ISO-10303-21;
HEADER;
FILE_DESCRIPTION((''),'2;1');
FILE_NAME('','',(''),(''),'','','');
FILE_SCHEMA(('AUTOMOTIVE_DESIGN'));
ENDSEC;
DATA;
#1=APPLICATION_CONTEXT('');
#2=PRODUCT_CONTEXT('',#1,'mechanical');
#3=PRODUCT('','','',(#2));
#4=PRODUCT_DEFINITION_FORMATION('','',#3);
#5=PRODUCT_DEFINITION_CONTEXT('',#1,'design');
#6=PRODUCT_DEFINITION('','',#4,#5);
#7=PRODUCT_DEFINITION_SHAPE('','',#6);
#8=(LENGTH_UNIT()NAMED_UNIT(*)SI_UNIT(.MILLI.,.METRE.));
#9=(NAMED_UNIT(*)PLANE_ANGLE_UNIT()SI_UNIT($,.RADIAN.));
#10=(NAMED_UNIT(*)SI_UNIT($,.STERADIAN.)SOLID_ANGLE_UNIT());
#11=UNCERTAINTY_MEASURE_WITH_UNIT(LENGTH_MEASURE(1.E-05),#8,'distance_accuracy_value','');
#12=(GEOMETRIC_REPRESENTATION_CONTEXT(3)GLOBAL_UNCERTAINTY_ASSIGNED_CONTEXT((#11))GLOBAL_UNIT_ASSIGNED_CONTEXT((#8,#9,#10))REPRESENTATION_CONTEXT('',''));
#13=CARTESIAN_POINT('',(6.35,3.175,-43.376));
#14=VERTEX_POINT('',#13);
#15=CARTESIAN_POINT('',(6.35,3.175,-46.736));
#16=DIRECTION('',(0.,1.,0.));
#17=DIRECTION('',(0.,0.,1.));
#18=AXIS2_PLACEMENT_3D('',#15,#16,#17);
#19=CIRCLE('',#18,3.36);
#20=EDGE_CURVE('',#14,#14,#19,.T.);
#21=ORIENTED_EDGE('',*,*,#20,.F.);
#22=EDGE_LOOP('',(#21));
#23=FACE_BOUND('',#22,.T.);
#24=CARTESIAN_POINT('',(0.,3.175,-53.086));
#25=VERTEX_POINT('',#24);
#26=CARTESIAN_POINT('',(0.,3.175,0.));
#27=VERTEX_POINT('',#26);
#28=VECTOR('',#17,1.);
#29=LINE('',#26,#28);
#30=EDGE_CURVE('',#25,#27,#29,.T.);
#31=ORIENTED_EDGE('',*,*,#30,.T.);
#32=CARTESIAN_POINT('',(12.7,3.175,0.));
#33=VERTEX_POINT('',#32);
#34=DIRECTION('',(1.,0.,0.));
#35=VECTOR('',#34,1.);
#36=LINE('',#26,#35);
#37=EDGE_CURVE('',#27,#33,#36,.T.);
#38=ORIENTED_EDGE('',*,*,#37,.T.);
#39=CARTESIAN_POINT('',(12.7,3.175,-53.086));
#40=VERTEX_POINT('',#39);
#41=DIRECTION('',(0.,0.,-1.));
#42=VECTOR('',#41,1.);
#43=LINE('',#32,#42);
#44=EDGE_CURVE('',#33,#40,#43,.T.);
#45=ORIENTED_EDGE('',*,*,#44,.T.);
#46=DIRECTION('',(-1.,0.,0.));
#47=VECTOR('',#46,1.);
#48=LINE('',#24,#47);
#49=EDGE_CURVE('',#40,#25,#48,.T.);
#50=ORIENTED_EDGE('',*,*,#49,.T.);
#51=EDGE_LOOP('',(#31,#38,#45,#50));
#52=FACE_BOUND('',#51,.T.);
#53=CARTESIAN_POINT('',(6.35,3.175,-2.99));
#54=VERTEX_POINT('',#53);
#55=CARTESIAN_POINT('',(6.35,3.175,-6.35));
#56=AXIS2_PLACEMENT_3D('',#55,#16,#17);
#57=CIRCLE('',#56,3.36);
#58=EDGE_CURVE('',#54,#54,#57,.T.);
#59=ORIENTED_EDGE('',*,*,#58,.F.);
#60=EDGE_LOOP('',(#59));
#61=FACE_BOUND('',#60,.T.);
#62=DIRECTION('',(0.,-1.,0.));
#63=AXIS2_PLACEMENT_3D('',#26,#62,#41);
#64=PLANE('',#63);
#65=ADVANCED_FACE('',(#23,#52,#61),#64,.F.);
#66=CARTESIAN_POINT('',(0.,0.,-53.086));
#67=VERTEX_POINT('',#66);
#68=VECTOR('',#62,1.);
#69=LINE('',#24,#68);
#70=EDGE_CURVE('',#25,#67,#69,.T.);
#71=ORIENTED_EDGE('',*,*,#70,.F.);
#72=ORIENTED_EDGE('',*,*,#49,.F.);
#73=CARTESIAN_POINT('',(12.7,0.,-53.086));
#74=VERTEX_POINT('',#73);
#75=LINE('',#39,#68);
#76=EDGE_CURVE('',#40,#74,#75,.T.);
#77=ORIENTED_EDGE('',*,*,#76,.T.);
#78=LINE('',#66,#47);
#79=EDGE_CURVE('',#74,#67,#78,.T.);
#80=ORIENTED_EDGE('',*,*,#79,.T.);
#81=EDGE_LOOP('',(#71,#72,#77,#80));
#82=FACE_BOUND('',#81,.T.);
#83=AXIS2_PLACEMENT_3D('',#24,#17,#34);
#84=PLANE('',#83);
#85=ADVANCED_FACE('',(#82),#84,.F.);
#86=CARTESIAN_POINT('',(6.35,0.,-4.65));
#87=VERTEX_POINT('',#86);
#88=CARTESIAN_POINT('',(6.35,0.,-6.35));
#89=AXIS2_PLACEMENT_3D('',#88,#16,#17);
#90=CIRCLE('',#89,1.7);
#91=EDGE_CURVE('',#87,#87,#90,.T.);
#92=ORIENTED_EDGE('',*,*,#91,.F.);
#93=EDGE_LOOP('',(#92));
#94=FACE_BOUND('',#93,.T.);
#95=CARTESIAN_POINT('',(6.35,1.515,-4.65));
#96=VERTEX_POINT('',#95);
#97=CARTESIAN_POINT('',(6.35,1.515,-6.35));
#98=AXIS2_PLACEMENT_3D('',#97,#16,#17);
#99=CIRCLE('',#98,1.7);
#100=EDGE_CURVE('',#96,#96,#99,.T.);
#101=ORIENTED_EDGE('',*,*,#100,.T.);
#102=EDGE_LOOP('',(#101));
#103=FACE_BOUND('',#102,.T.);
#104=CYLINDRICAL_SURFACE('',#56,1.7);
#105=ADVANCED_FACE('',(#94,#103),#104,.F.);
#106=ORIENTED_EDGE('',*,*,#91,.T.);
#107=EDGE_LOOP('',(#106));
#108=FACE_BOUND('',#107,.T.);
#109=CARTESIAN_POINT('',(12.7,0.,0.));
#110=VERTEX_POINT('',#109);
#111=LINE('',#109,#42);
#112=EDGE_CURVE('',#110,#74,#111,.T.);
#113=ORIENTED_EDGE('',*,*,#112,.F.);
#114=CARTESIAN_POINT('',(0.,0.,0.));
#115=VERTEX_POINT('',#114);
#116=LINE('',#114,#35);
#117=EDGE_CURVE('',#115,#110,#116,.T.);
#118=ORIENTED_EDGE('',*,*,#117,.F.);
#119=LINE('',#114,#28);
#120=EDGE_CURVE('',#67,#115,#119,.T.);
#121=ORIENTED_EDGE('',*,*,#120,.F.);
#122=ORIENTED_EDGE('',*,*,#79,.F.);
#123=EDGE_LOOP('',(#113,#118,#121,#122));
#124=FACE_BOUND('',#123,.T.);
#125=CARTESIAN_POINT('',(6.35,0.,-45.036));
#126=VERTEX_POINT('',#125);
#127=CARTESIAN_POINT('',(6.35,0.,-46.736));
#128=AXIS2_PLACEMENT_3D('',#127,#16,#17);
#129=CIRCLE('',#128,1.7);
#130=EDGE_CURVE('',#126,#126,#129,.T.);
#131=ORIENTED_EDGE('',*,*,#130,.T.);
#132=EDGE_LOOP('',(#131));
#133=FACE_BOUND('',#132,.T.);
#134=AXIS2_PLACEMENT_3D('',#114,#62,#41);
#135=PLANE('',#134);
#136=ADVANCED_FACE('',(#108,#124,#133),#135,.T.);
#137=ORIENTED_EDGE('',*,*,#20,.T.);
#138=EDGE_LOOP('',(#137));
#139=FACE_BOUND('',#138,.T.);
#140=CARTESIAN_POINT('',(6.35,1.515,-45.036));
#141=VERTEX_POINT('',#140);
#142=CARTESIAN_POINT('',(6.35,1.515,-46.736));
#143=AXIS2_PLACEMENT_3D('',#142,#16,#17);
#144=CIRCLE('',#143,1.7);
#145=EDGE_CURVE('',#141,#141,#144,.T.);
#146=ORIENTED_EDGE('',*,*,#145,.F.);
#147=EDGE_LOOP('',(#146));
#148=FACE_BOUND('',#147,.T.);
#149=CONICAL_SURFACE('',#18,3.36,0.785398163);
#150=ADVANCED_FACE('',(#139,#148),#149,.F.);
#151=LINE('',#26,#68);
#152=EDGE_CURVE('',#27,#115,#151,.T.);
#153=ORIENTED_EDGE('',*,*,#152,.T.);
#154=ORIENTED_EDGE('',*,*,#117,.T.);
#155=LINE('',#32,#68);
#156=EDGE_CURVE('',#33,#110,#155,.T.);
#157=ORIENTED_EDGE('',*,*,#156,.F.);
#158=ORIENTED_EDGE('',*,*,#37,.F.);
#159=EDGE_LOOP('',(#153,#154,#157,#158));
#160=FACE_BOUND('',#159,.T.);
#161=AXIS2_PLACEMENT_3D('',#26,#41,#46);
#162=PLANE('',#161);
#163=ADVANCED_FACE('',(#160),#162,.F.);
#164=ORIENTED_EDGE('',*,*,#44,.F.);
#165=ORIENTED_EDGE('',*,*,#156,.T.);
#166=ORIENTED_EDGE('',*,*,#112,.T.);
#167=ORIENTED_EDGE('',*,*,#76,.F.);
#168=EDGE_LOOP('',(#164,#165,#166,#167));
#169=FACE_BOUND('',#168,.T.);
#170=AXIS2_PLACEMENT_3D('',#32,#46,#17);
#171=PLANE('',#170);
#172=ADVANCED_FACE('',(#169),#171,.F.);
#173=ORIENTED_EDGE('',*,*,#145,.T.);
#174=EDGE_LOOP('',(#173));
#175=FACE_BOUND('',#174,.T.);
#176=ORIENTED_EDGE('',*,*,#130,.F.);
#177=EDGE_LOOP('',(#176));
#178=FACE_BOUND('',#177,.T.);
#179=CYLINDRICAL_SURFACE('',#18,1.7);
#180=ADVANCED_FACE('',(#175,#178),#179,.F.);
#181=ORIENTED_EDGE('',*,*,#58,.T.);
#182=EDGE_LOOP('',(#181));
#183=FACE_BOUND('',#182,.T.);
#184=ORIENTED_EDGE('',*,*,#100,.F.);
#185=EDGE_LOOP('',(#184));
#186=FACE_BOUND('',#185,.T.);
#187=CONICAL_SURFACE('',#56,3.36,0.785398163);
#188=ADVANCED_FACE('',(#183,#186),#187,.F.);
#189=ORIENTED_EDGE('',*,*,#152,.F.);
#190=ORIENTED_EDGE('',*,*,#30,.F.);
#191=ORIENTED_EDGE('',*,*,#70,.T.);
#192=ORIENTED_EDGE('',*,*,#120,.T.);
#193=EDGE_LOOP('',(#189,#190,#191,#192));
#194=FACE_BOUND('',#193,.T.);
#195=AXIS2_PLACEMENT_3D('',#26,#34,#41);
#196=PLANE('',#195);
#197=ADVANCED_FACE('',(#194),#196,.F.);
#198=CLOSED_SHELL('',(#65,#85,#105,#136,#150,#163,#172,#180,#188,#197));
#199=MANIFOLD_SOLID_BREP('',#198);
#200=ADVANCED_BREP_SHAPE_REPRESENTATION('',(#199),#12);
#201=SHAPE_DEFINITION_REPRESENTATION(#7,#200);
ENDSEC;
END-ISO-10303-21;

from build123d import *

# Parameters (mm, degrees)
SKETCH1_W                    = 12.7
SKETCH1_H                    = 53.086
BOSS_EXTRUDE1_DEPTH          = 3.175
CSK_FOR_M3_SFHCS1_AT_2_COUNT = 2
CSK_FOR_M3_SFHCS1_AT_2_PITCH = 40.386


with BuildPart() as part:
    # Sketch1 → Boss-Extrude1 (new body)
    with BuildSketch(Plane(origin=(0, 0, 0), x_dir=(1, 0, 0), z_dir=(0, 1, 0))):
        with Locations((6.35, 26.543)):
            Rectangle(SKETCH1_W, SKETCH1_H)
    extrude(amount=BOSS_EXTRUDE1_DEPTH)

    # Sketch2 → CSK for M3 SFHCS1 (revolve, cut)
    with BuildSketch(Plane(origin=(6.35, 3.175, -6.35), x_dir=(0, 0, 1), z_dir=(1, 0, 0))):
        Polygon((0, 0), (0, 3.175), (1.7, 3.175), (1.7, 1.66), (3.36, 0), align=None)
    csk_for_m3_sfhcs1 = revolve(axis=Axis((6.35, 9.525, -6.35), (0, -1, 0)), mode=Mode.SUBTRACT)

    # CSK for M3 SFHCS1 at 2: CSK for M3 SFHCS1 ×2
    with Locations(*[(0, 0, -i * CSK_FOR_M3_SFHCS1_AT_2_PITCH) for i in range(1, CSK_FOR_M3_SFHCS1_AT_2_COUNT)]):
        add(csk_for_m3_sfhcs1, mode=Mode.SUBTRACT)


solid = part.part
